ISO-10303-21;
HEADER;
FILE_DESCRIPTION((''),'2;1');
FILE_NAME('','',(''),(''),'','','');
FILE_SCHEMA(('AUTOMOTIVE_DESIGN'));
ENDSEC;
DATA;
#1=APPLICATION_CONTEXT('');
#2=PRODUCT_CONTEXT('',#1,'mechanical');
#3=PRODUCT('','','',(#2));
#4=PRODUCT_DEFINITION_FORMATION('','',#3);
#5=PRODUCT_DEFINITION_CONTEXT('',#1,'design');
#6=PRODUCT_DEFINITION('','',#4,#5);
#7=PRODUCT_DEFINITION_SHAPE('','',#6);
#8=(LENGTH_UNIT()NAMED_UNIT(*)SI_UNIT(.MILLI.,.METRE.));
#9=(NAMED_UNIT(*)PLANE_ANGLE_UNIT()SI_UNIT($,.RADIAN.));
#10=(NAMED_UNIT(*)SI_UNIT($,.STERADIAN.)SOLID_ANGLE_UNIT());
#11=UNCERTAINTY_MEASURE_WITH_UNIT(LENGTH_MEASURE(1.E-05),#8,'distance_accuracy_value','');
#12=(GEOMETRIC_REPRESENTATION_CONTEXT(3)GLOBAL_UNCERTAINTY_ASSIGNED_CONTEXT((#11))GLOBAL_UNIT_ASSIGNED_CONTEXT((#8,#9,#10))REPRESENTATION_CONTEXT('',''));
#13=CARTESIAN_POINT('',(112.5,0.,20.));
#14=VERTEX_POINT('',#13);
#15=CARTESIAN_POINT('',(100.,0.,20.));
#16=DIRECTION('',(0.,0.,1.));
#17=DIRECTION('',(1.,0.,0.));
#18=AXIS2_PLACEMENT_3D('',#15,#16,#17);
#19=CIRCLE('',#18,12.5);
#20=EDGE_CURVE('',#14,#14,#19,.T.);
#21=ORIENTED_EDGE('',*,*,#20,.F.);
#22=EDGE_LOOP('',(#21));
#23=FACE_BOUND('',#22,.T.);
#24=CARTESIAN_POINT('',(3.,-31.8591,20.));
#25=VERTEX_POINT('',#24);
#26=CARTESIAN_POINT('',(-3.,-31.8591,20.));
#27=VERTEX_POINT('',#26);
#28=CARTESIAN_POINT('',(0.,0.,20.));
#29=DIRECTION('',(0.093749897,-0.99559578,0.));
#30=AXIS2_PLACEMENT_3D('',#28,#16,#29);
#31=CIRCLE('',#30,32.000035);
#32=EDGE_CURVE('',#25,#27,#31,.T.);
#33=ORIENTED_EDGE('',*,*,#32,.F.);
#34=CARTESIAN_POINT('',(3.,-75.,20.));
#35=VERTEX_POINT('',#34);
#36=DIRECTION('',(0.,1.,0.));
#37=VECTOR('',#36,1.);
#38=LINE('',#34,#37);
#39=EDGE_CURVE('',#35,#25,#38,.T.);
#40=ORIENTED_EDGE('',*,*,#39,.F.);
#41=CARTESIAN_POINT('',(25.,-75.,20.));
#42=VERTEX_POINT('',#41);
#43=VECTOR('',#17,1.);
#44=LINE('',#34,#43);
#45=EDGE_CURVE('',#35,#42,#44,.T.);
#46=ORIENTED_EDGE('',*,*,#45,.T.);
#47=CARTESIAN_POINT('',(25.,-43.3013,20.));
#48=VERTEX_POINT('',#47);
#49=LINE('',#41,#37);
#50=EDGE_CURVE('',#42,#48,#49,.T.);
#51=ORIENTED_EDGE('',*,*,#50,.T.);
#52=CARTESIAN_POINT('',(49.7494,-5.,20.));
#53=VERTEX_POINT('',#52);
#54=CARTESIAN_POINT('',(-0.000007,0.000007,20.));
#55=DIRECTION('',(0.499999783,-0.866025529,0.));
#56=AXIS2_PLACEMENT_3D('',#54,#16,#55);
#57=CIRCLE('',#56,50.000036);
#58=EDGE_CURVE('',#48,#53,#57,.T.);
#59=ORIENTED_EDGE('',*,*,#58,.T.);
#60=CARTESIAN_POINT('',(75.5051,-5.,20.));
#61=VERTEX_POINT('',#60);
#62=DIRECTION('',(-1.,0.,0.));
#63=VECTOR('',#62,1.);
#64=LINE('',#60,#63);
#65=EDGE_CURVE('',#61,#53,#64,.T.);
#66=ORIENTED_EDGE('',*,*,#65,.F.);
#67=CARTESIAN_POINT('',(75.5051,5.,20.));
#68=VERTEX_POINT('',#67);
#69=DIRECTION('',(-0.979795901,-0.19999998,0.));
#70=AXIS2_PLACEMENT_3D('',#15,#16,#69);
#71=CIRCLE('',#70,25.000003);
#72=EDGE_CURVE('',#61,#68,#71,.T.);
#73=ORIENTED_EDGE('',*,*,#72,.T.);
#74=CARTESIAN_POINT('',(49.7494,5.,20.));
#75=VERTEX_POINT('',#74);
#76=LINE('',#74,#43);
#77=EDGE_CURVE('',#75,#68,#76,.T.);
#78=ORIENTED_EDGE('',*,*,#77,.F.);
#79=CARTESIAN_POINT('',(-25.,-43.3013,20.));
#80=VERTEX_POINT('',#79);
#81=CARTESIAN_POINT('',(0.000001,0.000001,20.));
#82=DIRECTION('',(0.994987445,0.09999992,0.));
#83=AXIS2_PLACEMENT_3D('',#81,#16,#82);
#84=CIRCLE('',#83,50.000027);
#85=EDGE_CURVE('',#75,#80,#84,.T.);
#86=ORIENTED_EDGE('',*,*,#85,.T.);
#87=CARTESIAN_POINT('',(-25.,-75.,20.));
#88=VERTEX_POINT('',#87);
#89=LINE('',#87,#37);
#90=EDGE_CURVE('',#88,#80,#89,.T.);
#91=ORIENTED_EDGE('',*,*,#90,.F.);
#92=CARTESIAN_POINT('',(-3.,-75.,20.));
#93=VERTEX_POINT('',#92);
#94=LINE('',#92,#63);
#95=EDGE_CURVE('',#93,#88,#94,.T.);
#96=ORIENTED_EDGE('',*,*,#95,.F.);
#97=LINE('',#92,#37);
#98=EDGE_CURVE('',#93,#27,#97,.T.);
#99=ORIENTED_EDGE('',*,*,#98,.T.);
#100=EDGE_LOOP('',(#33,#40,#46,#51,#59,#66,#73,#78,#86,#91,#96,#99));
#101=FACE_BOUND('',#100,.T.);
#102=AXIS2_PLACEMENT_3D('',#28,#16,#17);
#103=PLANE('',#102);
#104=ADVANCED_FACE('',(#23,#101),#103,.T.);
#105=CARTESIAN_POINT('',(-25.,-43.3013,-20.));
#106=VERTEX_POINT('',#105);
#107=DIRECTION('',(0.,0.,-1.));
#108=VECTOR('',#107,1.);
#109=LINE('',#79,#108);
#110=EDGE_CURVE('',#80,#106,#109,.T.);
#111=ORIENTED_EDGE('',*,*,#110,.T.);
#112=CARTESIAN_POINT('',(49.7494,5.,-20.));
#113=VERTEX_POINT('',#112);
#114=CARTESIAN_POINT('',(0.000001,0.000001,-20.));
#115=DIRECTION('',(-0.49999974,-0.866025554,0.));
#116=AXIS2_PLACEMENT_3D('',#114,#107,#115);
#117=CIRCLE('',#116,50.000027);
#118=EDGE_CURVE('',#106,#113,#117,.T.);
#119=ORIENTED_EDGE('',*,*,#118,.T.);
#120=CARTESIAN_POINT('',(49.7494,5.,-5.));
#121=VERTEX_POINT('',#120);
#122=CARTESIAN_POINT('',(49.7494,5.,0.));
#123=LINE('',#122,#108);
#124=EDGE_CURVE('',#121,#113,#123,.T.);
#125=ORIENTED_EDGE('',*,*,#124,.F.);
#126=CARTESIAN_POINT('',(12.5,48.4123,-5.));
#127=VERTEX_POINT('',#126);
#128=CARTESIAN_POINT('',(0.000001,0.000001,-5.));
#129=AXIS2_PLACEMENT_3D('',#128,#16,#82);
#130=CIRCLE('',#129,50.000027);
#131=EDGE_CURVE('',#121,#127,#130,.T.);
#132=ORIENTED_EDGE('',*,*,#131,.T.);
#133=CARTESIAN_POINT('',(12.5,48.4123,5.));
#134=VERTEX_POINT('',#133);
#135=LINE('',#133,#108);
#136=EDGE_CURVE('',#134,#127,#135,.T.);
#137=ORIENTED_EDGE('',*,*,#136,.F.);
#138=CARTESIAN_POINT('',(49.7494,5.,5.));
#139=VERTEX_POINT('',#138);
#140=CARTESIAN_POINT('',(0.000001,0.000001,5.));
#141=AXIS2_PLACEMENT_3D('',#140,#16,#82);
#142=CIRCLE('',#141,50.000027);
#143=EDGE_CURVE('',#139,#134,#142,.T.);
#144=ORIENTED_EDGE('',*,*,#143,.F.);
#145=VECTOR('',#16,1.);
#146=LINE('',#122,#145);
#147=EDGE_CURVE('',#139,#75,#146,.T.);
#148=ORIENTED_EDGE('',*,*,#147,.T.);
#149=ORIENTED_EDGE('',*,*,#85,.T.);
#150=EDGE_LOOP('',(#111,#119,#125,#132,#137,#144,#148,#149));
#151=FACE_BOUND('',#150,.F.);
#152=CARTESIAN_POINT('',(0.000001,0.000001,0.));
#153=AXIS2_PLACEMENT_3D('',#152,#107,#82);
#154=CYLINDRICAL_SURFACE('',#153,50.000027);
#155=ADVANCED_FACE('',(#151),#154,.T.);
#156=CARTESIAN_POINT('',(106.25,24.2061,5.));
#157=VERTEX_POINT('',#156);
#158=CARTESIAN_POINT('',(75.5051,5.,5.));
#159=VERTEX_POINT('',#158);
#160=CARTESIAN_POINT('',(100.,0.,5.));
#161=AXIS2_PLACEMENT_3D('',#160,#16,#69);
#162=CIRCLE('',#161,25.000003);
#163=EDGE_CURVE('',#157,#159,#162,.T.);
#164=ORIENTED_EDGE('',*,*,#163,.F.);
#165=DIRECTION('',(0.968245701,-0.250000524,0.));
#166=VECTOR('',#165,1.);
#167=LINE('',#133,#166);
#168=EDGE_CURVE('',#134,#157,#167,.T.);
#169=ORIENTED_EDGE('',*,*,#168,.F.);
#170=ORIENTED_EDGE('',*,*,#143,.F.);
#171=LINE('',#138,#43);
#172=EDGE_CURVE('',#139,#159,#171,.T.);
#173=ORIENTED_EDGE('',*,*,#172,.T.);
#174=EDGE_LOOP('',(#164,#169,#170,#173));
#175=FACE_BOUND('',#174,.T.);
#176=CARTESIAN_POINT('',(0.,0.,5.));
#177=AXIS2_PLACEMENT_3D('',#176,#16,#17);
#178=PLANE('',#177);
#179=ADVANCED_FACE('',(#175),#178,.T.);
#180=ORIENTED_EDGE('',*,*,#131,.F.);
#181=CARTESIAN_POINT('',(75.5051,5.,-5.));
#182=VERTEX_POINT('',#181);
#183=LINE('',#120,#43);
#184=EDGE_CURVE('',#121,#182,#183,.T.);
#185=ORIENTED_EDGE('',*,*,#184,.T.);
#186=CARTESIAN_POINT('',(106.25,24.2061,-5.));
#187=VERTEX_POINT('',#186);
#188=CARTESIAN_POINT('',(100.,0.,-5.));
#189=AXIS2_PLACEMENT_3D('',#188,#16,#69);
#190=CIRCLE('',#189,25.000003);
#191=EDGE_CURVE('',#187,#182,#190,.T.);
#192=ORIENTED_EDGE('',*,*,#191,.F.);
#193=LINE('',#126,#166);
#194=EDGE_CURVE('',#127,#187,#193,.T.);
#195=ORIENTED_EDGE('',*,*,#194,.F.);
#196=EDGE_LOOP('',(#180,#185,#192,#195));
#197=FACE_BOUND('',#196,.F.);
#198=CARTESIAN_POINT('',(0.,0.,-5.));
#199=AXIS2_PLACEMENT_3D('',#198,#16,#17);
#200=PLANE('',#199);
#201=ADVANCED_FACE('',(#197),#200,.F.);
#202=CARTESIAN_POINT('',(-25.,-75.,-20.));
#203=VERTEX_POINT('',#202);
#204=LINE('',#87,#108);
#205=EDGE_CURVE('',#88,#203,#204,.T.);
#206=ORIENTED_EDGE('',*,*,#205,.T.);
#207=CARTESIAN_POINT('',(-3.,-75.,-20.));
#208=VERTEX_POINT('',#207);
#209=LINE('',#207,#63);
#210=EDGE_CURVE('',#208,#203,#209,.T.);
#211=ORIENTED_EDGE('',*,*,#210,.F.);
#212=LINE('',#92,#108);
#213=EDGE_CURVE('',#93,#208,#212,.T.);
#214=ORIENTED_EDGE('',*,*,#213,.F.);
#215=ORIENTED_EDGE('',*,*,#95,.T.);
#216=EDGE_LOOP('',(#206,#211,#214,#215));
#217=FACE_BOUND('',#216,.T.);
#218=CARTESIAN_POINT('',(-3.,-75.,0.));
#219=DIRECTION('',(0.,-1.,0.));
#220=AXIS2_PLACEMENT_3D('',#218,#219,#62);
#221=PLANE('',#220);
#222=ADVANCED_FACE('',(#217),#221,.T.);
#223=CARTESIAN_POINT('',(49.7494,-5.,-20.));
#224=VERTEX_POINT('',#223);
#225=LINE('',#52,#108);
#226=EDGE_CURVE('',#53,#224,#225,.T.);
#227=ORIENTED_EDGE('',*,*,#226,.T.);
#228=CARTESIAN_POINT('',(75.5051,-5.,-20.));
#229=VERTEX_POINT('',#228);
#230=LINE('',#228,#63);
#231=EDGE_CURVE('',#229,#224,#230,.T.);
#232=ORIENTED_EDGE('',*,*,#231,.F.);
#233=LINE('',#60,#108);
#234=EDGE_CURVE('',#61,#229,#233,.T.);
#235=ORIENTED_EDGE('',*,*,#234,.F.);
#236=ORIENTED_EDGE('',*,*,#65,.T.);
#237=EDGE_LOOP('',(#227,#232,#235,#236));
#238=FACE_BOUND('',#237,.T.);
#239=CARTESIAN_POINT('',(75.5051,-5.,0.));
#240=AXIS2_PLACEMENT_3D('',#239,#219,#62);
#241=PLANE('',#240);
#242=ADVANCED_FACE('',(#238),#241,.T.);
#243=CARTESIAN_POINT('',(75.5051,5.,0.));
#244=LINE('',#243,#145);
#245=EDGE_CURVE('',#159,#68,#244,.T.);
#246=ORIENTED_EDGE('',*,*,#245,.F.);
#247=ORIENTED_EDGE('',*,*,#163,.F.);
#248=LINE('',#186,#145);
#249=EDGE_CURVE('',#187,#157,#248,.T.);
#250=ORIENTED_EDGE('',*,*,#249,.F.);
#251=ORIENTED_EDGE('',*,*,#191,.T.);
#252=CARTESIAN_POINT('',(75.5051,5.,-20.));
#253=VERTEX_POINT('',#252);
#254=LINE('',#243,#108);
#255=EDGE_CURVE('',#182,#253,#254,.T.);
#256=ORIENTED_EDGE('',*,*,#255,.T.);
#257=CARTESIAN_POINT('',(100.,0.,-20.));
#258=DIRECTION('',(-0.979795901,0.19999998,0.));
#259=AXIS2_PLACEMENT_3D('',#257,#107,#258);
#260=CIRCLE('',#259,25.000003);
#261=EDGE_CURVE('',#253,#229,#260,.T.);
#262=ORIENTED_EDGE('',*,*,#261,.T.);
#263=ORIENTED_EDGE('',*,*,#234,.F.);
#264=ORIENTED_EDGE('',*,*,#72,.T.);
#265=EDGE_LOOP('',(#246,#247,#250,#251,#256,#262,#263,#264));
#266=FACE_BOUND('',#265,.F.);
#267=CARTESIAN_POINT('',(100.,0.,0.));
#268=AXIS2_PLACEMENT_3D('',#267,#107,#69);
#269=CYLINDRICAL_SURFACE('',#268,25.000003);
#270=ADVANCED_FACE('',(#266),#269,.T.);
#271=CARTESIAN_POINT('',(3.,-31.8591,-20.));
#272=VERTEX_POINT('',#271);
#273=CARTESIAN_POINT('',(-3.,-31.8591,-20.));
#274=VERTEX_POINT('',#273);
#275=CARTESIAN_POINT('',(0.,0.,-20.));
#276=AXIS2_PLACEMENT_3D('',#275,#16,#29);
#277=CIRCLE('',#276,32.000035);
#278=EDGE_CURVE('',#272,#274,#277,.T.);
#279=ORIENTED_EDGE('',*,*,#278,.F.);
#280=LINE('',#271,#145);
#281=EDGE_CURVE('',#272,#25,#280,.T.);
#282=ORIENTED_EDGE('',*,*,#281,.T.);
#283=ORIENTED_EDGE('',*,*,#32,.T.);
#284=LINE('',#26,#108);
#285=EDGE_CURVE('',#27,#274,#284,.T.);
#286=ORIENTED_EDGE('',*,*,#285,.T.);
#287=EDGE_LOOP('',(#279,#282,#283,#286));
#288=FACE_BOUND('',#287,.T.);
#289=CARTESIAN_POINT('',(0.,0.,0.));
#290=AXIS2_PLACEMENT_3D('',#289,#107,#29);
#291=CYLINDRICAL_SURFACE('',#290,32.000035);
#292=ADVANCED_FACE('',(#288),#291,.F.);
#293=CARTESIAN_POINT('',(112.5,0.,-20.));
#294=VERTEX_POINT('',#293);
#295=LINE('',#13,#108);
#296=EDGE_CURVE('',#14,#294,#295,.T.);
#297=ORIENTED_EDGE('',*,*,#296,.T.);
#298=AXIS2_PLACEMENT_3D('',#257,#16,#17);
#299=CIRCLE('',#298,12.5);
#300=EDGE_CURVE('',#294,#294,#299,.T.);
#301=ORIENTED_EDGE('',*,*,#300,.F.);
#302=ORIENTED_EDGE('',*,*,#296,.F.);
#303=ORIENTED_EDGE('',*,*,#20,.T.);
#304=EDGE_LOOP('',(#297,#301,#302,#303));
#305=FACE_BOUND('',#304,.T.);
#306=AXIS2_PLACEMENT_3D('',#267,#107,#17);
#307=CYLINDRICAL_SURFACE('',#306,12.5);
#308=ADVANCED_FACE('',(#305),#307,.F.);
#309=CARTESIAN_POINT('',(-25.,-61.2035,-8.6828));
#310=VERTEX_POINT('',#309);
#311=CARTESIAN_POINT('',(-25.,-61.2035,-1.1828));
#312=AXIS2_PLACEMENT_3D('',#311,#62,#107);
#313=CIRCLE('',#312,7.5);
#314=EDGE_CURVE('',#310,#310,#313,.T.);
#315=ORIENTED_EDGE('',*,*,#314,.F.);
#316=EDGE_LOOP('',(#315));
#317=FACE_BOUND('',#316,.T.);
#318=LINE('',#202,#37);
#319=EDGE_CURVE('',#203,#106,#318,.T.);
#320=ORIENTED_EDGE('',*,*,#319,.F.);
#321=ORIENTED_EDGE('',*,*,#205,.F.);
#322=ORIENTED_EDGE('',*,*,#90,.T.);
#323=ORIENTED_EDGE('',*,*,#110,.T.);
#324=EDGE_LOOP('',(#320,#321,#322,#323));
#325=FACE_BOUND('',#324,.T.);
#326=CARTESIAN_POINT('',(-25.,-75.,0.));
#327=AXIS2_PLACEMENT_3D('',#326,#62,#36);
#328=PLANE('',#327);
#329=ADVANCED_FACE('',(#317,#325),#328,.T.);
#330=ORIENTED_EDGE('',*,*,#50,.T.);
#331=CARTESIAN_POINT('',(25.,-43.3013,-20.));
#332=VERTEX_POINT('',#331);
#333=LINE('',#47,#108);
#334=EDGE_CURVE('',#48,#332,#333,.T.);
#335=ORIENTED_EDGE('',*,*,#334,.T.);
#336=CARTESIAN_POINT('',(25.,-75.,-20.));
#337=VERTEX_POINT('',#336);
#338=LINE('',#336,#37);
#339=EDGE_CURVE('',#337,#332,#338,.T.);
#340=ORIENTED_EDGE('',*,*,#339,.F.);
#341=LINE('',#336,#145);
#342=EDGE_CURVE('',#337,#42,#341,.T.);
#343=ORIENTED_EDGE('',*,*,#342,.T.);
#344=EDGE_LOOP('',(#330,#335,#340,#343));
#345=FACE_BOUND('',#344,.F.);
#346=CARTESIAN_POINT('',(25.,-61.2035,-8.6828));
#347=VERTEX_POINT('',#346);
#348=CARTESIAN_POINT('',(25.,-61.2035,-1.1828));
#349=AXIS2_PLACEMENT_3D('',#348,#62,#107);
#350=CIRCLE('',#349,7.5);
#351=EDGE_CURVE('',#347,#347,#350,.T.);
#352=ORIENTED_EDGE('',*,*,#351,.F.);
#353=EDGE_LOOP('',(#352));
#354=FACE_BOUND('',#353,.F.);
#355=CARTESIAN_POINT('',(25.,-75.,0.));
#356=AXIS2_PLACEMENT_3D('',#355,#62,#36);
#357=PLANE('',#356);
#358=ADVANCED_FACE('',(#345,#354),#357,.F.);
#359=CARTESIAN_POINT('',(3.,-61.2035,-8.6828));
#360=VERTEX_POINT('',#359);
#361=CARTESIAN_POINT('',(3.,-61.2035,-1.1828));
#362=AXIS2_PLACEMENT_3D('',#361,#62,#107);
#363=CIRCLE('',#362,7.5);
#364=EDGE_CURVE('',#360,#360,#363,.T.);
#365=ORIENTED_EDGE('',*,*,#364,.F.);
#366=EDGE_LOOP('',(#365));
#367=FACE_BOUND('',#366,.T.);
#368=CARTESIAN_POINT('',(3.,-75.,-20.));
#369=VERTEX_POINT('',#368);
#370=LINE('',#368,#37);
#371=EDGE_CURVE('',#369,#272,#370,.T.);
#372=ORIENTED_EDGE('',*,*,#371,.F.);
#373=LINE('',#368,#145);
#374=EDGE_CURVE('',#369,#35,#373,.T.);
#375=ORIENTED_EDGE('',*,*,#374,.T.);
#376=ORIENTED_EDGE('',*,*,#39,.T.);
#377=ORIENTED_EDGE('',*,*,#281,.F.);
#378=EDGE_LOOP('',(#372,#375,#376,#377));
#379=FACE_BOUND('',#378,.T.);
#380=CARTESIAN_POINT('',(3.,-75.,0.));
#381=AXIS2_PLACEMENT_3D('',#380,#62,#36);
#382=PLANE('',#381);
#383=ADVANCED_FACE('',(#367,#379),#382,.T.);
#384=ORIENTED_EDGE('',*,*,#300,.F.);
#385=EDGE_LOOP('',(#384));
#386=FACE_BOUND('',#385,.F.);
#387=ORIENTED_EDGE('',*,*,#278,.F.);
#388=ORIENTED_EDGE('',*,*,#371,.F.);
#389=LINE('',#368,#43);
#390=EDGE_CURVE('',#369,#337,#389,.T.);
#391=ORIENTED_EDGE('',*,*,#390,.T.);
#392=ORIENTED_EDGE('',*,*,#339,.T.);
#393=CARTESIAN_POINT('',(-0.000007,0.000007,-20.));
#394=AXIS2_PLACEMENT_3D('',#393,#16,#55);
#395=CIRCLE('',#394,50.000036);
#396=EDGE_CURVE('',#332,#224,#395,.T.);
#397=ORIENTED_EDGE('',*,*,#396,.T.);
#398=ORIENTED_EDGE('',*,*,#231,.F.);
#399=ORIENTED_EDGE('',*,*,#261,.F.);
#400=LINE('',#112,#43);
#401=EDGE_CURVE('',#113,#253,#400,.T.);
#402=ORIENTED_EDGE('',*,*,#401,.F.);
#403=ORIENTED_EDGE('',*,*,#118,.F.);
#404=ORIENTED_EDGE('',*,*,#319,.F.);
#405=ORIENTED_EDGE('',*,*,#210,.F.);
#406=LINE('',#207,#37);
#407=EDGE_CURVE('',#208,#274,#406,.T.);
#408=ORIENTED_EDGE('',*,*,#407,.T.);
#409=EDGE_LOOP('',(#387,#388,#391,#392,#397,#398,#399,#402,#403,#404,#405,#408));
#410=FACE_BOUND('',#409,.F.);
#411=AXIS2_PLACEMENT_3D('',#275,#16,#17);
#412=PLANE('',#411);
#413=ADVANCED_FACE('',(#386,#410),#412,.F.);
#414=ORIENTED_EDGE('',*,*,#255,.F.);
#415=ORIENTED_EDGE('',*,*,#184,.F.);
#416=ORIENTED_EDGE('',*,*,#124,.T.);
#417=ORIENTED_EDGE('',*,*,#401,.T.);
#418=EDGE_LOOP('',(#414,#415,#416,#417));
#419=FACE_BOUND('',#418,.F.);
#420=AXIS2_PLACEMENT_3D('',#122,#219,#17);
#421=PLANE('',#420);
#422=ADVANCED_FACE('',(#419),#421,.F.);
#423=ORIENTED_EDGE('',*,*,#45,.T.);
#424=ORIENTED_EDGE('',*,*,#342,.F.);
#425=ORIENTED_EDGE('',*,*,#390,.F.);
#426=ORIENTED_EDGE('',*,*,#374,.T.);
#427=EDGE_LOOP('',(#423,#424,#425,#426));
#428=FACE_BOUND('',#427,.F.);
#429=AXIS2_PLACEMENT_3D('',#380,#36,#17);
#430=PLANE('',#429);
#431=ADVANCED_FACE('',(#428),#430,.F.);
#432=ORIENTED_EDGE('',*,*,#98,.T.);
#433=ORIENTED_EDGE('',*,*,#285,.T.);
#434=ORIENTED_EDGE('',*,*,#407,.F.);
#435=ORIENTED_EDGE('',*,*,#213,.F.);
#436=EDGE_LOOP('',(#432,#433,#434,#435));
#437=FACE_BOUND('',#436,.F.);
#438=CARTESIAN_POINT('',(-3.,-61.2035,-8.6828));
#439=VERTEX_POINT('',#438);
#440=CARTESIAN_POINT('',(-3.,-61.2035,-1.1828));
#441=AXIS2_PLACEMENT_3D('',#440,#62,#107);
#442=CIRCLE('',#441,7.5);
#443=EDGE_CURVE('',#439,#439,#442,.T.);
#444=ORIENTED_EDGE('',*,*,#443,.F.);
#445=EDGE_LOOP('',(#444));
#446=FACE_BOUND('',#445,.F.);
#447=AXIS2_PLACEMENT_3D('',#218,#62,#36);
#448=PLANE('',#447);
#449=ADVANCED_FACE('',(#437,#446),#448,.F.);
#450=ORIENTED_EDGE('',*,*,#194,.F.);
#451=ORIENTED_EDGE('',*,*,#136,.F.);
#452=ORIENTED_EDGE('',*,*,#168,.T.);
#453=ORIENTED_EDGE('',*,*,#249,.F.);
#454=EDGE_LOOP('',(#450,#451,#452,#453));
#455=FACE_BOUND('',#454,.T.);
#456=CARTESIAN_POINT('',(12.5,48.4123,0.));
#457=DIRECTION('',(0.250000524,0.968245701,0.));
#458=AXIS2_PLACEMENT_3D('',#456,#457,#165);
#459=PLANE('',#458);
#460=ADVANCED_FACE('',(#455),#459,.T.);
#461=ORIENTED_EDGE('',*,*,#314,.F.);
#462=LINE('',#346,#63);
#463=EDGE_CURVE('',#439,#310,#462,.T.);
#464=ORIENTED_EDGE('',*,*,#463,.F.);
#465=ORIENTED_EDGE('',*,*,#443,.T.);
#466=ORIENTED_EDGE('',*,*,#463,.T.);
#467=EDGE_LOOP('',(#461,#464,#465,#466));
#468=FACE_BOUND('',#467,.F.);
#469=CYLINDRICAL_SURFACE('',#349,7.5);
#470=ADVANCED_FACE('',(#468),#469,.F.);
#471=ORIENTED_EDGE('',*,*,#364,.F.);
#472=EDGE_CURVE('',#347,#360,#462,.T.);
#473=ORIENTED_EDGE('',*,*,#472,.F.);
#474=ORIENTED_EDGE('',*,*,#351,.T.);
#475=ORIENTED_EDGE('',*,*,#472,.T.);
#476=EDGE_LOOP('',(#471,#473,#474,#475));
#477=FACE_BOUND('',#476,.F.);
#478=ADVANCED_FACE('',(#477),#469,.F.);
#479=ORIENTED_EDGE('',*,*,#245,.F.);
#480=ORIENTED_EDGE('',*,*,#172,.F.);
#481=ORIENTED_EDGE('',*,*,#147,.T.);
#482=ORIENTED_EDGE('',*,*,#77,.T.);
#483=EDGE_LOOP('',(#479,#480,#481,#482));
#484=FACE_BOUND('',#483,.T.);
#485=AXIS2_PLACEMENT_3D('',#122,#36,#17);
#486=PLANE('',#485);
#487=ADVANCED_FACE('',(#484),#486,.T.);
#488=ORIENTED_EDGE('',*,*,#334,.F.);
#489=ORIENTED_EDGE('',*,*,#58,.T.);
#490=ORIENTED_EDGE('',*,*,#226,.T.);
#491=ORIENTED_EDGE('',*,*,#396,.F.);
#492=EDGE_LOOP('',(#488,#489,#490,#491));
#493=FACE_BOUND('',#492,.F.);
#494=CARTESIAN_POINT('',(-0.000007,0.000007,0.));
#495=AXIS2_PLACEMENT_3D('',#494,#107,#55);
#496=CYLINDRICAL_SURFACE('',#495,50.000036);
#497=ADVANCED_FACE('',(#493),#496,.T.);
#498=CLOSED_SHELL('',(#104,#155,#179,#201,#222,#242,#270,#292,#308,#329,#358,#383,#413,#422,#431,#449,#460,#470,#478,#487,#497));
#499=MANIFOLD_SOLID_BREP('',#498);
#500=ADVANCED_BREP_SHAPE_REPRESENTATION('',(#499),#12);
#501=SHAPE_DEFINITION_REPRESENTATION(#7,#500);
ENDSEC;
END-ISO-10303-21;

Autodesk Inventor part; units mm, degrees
ref_plane "YZ Plane" through (0, 0, 0) normal (1, 0, 0) x (0, 1, 0)
ref_plane "XZ Plane" through (0, 0, 0) normal (0, 1, 0) x (-1, 0, 0)
ref_plane "XY Plane" through (0, 0, 0) normal (0, 0, 1) x (1, 0, 0)
sketch "Náčrt1" plane through (0, 0, 0) normal (0, 0, 1) x (1, 0, 0)
  arc A0 (3, -31.8591) -> (-3, -31.8591) centre (0, 0) ccw
  circle A1 centre (100, 0) radius 12.5
  arc A2 (75.5051, -5) -> (75.5051, 5) centre (100, 0) ccw
  line L0 (12.5, 48.4123) -> (106.25, 24.2061)
  line L1 (49.7494, 5) -> (75.5051, 5)
  line L2 (75.5051, -5) -> (49.7494, -5)
  line L3 (3, -75) -> (25, -75)
  line L4 (-3, -75) -> (-25, -75)
  line L5 (-25, -75) -> (-25, -43.3013)
  line L6 (25, -75) -> (25, -43.3013)
  line L7 (3, -75) -> (3, -31.8591)
  line L8 (-3, -75) -> (-3, -31.8591)
  arc A3 (25, -43.3013) -> (49.7494, -5) centre (0, 0) ccw
  arc A4 (49.7494, 5) -> (-25, -43.3013) centre (0, 0) ccw
  dimension "d1" = 64
  dimension "d3" = 25
  dimension "d4" = 50
  dimension "d9" = 10
  dimension "d10" = 22
  dimension "d11" = 22
  dimension "d12" = 6
extrude "Vysunutí1" add sketch "Náčrt1" against normal blind 20 contours A0 L8 L4 L5 A4 L1 A2 L2 A3 L6 L3 L7
extrude "Vysunutí2" add sketch "Náčrt1" against normal blind 5 contours L0 A2 L1 A4
extrude "Vysunutí3" add sketch "Náčrt1" along normal blind 5 contours L0 A2 L1 A4
extrude "Vysunutí4" add sketch "Náčrt1" along normal blind 20 contours A0 L8 L4 L5 A4 L1 A2 L2 A3 L6 L3 L7
sketch "Náčrt2" plane through (25, -75, -20) normal (1, 0, 0) x (0, 0, -1)
  point P0 (-20, 75)
  point P1 (-18.8172, 13.7965)
hole "Díra1" at (25, -61.2035, -1.1828) direction (-1, 0, 0) diameter 15 end through all
properties part number "5"
